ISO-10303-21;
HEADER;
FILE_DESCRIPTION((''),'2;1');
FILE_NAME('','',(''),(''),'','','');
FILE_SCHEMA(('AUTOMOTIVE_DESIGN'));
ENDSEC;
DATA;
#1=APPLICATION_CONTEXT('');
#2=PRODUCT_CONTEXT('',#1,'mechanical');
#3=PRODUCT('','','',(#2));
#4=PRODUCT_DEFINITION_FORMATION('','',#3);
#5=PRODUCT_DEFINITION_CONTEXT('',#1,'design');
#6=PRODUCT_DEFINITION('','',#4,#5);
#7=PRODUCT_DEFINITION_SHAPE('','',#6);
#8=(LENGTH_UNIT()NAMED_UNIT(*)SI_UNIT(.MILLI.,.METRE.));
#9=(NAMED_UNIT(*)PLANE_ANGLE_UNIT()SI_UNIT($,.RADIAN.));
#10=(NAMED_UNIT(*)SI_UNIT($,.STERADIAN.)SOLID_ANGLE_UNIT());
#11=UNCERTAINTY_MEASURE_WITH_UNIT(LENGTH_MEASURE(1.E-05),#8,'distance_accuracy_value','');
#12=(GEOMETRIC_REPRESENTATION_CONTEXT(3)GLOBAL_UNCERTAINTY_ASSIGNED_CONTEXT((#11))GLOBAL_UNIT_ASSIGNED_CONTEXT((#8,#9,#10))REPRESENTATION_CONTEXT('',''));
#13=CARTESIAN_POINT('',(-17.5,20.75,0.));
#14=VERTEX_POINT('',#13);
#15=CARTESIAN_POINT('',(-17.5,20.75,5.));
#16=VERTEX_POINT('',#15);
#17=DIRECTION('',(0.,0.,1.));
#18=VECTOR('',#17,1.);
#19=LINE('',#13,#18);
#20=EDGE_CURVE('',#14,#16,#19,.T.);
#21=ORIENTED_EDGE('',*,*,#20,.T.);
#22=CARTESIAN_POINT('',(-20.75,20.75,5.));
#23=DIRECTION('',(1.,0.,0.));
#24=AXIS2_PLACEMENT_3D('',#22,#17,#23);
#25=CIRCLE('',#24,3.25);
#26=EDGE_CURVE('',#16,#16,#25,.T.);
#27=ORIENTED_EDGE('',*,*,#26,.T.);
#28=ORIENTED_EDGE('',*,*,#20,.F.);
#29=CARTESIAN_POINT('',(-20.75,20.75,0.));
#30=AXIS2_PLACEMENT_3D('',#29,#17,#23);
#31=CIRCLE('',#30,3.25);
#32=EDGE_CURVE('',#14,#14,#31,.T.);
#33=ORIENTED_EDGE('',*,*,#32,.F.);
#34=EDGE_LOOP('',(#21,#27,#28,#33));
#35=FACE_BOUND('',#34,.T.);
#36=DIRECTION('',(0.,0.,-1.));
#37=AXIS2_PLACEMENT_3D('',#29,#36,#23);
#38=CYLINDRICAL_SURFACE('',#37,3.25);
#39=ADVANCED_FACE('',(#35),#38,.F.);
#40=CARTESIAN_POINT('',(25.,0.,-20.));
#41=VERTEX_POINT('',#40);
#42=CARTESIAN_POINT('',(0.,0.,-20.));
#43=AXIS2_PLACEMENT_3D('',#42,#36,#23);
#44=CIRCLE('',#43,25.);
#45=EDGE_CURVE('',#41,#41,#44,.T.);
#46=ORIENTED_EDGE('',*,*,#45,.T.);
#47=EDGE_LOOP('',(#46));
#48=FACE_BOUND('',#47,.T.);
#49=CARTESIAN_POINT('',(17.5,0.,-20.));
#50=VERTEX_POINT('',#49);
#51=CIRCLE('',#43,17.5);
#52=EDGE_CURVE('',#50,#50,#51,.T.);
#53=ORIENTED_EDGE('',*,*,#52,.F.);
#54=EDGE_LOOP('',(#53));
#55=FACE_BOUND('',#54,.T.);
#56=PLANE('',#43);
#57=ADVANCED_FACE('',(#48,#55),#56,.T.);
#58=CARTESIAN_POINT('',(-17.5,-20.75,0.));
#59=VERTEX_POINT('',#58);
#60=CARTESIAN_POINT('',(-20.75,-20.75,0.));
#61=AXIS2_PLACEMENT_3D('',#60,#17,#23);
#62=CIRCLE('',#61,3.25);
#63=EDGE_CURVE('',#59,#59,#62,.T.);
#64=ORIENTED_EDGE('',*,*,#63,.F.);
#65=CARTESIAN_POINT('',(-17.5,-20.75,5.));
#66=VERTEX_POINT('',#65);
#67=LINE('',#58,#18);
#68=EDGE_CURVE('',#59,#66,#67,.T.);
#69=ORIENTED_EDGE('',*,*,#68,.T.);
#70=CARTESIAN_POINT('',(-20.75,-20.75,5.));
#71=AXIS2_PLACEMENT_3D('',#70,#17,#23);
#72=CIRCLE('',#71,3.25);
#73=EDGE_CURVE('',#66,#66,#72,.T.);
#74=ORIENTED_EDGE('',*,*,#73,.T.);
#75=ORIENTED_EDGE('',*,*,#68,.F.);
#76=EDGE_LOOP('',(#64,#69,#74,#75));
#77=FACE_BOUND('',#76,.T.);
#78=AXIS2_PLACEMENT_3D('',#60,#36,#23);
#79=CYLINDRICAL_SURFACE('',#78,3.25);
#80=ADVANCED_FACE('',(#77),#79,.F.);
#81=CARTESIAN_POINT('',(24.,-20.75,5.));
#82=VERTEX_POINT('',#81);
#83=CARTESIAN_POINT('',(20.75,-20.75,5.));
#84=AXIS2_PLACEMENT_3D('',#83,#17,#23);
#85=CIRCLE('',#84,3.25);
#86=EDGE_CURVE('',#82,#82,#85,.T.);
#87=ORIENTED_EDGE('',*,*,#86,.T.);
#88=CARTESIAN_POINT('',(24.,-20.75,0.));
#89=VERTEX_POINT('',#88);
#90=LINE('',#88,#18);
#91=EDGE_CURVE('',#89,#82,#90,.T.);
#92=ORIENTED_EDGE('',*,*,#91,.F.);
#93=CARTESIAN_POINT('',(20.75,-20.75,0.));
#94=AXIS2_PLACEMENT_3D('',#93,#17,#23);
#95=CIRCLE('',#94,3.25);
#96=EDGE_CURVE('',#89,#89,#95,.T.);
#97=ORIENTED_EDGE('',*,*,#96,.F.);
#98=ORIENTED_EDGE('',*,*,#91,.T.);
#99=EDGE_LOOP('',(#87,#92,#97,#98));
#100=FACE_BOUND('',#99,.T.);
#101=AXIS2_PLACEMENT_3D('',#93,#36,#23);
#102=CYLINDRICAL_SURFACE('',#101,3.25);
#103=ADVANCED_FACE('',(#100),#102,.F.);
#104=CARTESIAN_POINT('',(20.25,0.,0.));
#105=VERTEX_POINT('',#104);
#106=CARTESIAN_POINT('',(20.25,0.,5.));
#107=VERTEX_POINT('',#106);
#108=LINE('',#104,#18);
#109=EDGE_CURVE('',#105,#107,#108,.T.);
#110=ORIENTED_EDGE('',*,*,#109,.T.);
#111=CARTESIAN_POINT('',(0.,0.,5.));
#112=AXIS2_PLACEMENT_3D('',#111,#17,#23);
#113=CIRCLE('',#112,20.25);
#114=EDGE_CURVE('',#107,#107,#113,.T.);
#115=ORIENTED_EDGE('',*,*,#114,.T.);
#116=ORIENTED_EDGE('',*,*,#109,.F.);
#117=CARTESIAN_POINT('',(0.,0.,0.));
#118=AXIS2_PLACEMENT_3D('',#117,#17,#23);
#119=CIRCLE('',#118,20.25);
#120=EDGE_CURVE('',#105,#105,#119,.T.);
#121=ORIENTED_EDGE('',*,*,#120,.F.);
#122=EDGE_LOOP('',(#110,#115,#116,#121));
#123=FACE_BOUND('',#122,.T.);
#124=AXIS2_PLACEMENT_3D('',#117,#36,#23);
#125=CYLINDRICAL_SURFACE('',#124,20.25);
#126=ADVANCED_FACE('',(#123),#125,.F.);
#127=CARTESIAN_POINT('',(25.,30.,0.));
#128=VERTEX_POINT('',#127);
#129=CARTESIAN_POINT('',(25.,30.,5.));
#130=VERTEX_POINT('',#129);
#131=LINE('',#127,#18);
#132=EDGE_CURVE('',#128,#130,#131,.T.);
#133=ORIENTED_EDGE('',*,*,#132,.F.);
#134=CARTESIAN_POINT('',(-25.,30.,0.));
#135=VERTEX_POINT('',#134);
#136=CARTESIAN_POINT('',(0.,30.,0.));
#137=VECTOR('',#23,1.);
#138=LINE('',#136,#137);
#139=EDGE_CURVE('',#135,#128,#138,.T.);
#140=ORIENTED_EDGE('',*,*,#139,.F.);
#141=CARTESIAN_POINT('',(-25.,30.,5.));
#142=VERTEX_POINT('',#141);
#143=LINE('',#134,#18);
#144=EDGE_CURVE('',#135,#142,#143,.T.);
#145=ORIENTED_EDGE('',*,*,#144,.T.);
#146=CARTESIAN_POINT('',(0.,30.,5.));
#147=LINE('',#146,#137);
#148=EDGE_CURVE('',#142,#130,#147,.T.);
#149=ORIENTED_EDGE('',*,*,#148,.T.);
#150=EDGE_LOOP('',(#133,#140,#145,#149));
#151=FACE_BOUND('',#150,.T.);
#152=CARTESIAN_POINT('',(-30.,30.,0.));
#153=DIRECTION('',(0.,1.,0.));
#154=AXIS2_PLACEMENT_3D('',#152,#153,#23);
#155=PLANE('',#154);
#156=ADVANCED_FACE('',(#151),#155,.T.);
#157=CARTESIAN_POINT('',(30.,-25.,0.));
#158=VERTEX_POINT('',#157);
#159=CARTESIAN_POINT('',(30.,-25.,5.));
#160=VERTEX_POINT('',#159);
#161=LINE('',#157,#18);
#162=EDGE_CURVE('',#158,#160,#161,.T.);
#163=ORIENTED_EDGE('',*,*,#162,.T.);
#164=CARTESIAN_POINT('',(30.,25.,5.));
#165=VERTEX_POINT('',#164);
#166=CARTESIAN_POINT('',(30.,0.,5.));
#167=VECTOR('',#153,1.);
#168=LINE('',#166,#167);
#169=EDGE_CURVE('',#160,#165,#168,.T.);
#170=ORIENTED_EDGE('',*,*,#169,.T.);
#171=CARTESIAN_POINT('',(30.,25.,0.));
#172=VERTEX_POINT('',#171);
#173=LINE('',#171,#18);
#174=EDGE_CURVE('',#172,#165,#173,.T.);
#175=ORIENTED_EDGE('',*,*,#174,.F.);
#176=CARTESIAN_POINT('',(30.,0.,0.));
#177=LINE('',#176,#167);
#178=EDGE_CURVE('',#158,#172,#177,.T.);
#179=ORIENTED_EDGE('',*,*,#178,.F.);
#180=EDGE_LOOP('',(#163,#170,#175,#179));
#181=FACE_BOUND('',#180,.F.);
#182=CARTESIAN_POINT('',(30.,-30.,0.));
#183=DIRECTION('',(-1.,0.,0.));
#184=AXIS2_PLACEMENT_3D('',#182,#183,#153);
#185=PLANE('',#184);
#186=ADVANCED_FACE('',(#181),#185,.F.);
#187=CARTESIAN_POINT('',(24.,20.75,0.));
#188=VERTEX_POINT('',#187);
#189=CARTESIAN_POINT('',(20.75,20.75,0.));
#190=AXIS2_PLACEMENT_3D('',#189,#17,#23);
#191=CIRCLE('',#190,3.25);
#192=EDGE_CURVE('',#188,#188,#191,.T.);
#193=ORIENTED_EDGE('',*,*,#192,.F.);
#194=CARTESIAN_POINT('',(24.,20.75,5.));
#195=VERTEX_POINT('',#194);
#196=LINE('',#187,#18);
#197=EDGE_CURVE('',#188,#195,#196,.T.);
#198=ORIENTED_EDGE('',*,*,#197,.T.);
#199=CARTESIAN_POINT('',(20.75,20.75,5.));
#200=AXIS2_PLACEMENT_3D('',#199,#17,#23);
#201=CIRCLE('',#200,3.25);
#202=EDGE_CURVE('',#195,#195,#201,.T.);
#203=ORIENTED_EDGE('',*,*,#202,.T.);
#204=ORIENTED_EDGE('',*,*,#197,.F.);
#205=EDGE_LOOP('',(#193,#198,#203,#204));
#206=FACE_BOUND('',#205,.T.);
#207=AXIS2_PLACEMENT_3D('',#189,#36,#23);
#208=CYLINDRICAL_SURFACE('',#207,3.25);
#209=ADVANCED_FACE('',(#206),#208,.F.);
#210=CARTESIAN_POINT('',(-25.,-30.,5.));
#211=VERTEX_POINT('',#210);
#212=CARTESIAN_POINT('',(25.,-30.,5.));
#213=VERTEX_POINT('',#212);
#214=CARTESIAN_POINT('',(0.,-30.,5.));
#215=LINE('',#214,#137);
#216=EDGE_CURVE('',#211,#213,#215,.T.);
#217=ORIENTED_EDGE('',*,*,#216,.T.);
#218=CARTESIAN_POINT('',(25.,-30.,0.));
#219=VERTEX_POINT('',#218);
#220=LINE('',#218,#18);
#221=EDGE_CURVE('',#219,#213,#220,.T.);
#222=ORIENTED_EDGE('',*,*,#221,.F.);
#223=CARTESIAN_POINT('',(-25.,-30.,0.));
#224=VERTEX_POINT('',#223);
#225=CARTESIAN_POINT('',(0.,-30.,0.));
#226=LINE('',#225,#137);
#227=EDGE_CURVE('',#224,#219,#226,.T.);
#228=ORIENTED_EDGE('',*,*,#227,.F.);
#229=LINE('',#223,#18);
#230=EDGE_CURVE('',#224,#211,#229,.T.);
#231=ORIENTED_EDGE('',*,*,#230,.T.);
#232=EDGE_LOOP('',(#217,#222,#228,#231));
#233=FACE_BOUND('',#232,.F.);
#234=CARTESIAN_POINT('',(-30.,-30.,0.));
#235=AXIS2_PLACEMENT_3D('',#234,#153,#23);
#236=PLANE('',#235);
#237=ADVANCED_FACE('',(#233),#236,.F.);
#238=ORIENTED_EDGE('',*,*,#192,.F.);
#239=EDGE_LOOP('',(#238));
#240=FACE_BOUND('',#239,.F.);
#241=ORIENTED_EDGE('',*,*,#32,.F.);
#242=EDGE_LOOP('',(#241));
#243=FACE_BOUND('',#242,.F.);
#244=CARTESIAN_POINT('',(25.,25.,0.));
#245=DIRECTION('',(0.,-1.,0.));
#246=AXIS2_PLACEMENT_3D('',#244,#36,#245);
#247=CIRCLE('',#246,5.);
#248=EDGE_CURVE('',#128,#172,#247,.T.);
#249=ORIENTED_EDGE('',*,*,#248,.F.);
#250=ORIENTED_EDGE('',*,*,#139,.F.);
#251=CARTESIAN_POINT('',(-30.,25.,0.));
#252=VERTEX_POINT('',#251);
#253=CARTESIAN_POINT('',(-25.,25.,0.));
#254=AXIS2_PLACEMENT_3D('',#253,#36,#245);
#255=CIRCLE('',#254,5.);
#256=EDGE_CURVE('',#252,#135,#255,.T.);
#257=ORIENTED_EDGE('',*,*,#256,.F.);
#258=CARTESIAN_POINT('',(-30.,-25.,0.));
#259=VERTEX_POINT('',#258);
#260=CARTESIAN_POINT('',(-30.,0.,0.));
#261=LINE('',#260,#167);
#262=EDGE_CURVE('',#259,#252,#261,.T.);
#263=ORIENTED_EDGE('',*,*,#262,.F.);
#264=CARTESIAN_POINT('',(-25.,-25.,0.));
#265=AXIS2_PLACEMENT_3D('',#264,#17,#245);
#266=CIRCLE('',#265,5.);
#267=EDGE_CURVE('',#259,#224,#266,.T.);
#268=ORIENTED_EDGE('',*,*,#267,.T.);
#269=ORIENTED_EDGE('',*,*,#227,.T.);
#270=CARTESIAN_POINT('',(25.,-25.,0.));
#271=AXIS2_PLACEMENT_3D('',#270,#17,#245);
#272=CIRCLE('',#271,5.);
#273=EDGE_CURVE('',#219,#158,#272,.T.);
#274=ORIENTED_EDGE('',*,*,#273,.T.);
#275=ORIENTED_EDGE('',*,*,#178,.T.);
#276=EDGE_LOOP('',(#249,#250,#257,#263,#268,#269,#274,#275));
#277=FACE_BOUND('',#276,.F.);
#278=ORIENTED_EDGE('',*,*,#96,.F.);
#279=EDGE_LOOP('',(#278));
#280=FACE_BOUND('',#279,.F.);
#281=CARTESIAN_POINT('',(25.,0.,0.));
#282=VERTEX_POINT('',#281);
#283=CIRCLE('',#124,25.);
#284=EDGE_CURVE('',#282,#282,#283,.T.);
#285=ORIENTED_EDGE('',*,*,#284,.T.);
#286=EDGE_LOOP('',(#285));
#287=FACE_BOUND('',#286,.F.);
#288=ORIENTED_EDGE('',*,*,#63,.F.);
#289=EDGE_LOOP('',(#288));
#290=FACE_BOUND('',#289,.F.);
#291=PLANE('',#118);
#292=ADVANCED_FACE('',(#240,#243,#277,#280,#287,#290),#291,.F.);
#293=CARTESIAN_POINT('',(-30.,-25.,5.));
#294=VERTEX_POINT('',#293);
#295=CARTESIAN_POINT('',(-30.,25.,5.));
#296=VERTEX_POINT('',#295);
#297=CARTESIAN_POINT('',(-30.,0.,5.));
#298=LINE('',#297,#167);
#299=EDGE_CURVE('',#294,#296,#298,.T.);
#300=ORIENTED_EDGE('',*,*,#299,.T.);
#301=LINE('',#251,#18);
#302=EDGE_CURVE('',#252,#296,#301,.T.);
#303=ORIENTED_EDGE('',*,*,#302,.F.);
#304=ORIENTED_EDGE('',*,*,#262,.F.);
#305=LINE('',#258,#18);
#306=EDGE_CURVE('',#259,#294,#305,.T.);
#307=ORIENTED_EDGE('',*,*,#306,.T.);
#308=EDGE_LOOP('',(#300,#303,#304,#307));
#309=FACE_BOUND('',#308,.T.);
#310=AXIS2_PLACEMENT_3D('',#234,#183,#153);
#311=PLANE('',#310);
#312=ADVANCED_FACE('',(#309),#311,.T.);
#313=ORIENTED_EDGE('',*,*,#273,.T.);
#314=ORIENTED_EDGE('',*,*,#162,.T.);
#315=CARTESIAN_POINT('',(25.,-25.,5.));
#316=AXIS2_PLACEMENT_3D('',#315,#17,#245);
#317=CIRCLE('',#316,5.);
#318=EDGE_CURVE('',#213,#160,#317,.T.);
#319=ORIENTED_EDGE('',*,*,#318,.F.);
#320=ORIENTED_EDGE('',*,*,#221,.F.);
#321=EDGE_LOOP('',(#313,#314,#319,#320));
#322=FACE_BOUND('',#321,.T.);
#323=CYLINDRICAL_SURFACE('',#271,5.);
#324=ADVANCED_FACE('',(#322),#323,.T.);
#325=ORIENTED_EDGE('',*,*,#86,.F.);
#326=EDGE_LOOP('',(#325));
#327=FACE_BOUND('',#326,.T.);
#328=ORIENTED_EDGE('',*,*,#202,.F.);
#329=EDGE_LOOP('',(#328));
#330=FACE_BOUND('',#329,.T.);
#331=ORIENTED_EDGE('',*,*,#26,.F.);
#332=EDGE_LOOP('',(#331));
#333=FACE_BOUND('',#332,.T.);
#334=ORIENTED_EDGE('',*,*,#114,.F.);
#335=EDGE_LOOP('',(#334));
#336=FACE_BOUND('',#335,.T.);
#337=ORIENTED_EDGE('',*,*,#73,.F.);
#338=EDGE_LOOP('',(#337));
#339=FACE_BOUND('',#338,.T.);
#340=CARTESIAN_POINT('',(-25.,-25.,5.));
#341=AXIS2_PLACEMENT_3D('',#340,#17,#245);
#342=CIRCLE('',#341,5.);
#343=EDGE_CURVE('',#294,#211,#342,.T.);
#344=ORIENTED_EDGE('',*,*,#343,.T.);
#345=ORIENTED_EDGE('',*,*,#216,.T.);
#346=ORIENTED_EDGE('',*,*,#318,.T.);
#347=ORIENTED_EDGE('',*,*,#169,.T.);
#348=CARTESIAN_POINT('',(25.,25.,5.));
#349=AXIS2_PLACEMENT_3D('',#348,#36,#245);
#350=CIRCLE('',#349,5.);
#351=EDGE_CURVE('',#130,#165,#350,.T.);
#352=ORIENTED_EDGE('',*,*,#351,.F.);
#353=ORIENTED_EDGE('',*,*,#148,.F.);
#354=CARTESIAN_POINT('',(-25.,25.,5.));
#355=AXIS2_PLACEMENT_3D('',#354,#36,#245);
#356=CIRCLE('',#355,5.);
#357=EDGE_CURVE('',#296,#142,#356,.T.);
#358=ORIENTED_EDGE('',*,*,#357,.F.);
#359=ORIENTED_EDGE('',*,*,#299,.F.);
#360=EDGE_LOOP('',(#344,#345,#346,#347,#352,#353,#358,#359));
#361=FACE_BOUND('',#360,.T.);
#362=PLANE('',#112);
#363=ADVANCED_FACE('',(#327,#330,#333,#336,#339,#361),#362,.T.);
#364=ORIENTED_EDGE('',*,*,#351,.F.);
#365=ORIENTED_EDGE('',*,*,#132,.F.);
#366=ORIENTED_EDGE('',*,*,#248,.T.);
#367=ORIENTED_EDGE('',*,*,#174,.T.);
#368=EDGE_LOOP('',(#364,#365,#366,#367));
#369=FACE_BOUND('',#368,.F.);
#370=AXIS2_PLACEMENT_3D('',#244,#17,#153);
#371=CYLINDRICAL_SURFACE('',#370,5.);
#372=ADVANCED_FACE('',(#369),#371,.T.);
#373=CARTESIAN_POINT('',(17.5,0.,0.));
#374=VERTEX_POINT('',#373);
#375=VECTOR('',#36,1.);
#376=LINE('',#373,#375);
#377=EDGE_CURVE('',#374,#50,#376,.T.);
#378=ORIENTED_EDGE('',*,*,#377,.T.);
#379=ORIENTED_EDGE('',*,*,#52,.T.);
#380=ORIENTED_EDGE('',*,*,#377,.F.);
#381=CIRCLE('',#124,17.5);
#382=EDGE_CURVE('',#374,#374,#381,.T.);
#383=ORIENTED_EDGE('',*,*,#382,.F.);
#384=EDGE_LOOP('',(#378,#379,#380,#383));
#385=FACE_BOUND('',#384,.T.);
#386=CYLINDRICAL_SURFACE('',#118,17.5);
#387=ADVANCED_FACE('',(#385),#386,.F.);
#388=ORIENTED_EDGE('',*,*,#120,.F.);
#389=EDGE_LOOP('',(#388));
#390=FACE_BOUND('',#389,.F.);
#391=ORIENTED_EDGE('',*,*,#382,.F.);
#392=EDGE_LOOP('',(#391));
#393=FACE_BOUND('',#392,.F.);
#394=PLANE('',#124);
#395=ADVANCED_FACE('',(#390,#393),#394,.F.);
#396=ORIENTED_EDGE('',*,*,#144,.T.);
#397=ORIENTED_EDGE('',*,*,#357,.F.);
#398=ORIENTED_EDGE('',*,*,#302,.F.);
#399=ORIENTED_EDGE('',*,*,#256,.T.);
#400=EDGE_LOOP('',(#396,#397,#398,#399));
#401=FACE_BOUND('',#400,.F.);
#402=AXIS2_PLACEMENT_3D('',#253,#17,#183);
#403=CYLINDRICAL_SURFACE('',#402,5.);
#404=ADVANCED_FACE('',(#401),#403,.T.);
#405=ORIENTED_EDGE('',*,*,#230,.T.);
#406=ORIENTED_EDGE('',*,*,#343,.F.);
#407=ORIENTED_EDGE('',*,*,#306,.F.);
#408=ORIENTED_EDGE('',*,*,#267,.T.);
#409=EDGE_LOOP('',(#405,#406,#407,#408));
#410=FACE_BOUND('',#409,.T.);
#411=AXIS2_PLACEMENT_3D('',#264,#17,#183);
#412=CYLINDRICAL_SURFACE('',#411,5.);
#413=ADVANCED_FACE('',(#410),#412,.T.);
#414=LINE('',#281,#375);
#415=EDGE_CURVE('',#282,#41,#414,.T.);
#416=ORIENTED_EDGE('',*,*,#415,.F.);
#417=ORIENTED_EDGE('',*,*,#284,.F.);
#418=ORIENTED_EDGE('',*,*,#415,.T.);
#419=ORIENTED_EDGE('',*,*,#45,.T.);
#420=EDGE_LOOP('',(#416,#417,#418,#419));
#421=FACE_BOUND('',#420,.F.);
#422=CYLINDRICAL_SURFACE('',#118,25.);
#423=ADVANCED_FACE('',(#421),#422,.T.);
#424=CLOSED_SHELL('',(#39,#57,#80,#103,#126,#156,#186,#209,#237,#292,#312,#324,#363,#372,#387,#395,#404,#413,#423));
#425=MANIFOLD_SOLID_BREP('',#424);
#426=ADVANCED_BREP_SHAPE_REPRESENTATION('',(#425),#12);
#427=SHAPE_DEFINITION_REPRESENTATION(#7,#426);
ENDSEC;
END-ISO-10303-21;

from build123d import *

# Parameters (mm, degrees)
F0_W     = 60
F0_H     = 60
F0_R     = 3.25
F0_R_2   = 20.25
F1_DEPTH = 5
F2_R     = 5
F3_R     = 19.5
F4_DEPTH = 5
F5_R     = 25
F5_R_2   = 17.5
F6_DEPTH = 20


with BuildPart() as f1:
    # F0 (on Top) → F1 (new body)
    with BuildSketch(Plane.XY):
        Rectangle(F0_W, F0_H)
        with Locations((-20.75, -20.75)):
            Circle(F0_R, mode=Mode.SUBTRACT)
        with Locations((20.75, -20.75)):
            Circle(F0_R, mode=Mode.SUBTRACT)
        with Locations((-20.75, 20.75)):
            Circle(F0_R, mode=Mode.SUBTRACT)
        Circle(F0_R_2, mode=Mode.SUBTRACT)
        with Locations((20.75, 20.75)):
            Circle(F0_R, mode=Mode.SUBTRACT)
    extrude(amount=F1_DEPTH)

    # F2
    f2_edges = [f1.edges().sort_by_distance(p)[0] for p in [
        (-30, -30, 2.5),
        (30, -30, 2.5),
        (30, 30, 2.5),
        (-30, 30, 2.5),
    ]]
    fillet(f2_edges, radius=F2_R)

    # F3 (on face) → F4 (cut)
    with BuildSketch(Plane.XY.offset(5)):
        Circle(F3_R)
    extrude(amount=-F4_DEPTH, mode=Mode.SUBTRACT)

    # F5 (on face) → F6 (join)
    with BuildSketch(Plane(origin=(0, 0, 0), x_dir=(1, 0, 0), z_dir=(0, 0, -1))):
        Circle(F5_R)
        Circle(F5_R_2, mode=Mode.SUBTRACT)
    extrude(amount=F6_DEPTH)


solid = f1.part
